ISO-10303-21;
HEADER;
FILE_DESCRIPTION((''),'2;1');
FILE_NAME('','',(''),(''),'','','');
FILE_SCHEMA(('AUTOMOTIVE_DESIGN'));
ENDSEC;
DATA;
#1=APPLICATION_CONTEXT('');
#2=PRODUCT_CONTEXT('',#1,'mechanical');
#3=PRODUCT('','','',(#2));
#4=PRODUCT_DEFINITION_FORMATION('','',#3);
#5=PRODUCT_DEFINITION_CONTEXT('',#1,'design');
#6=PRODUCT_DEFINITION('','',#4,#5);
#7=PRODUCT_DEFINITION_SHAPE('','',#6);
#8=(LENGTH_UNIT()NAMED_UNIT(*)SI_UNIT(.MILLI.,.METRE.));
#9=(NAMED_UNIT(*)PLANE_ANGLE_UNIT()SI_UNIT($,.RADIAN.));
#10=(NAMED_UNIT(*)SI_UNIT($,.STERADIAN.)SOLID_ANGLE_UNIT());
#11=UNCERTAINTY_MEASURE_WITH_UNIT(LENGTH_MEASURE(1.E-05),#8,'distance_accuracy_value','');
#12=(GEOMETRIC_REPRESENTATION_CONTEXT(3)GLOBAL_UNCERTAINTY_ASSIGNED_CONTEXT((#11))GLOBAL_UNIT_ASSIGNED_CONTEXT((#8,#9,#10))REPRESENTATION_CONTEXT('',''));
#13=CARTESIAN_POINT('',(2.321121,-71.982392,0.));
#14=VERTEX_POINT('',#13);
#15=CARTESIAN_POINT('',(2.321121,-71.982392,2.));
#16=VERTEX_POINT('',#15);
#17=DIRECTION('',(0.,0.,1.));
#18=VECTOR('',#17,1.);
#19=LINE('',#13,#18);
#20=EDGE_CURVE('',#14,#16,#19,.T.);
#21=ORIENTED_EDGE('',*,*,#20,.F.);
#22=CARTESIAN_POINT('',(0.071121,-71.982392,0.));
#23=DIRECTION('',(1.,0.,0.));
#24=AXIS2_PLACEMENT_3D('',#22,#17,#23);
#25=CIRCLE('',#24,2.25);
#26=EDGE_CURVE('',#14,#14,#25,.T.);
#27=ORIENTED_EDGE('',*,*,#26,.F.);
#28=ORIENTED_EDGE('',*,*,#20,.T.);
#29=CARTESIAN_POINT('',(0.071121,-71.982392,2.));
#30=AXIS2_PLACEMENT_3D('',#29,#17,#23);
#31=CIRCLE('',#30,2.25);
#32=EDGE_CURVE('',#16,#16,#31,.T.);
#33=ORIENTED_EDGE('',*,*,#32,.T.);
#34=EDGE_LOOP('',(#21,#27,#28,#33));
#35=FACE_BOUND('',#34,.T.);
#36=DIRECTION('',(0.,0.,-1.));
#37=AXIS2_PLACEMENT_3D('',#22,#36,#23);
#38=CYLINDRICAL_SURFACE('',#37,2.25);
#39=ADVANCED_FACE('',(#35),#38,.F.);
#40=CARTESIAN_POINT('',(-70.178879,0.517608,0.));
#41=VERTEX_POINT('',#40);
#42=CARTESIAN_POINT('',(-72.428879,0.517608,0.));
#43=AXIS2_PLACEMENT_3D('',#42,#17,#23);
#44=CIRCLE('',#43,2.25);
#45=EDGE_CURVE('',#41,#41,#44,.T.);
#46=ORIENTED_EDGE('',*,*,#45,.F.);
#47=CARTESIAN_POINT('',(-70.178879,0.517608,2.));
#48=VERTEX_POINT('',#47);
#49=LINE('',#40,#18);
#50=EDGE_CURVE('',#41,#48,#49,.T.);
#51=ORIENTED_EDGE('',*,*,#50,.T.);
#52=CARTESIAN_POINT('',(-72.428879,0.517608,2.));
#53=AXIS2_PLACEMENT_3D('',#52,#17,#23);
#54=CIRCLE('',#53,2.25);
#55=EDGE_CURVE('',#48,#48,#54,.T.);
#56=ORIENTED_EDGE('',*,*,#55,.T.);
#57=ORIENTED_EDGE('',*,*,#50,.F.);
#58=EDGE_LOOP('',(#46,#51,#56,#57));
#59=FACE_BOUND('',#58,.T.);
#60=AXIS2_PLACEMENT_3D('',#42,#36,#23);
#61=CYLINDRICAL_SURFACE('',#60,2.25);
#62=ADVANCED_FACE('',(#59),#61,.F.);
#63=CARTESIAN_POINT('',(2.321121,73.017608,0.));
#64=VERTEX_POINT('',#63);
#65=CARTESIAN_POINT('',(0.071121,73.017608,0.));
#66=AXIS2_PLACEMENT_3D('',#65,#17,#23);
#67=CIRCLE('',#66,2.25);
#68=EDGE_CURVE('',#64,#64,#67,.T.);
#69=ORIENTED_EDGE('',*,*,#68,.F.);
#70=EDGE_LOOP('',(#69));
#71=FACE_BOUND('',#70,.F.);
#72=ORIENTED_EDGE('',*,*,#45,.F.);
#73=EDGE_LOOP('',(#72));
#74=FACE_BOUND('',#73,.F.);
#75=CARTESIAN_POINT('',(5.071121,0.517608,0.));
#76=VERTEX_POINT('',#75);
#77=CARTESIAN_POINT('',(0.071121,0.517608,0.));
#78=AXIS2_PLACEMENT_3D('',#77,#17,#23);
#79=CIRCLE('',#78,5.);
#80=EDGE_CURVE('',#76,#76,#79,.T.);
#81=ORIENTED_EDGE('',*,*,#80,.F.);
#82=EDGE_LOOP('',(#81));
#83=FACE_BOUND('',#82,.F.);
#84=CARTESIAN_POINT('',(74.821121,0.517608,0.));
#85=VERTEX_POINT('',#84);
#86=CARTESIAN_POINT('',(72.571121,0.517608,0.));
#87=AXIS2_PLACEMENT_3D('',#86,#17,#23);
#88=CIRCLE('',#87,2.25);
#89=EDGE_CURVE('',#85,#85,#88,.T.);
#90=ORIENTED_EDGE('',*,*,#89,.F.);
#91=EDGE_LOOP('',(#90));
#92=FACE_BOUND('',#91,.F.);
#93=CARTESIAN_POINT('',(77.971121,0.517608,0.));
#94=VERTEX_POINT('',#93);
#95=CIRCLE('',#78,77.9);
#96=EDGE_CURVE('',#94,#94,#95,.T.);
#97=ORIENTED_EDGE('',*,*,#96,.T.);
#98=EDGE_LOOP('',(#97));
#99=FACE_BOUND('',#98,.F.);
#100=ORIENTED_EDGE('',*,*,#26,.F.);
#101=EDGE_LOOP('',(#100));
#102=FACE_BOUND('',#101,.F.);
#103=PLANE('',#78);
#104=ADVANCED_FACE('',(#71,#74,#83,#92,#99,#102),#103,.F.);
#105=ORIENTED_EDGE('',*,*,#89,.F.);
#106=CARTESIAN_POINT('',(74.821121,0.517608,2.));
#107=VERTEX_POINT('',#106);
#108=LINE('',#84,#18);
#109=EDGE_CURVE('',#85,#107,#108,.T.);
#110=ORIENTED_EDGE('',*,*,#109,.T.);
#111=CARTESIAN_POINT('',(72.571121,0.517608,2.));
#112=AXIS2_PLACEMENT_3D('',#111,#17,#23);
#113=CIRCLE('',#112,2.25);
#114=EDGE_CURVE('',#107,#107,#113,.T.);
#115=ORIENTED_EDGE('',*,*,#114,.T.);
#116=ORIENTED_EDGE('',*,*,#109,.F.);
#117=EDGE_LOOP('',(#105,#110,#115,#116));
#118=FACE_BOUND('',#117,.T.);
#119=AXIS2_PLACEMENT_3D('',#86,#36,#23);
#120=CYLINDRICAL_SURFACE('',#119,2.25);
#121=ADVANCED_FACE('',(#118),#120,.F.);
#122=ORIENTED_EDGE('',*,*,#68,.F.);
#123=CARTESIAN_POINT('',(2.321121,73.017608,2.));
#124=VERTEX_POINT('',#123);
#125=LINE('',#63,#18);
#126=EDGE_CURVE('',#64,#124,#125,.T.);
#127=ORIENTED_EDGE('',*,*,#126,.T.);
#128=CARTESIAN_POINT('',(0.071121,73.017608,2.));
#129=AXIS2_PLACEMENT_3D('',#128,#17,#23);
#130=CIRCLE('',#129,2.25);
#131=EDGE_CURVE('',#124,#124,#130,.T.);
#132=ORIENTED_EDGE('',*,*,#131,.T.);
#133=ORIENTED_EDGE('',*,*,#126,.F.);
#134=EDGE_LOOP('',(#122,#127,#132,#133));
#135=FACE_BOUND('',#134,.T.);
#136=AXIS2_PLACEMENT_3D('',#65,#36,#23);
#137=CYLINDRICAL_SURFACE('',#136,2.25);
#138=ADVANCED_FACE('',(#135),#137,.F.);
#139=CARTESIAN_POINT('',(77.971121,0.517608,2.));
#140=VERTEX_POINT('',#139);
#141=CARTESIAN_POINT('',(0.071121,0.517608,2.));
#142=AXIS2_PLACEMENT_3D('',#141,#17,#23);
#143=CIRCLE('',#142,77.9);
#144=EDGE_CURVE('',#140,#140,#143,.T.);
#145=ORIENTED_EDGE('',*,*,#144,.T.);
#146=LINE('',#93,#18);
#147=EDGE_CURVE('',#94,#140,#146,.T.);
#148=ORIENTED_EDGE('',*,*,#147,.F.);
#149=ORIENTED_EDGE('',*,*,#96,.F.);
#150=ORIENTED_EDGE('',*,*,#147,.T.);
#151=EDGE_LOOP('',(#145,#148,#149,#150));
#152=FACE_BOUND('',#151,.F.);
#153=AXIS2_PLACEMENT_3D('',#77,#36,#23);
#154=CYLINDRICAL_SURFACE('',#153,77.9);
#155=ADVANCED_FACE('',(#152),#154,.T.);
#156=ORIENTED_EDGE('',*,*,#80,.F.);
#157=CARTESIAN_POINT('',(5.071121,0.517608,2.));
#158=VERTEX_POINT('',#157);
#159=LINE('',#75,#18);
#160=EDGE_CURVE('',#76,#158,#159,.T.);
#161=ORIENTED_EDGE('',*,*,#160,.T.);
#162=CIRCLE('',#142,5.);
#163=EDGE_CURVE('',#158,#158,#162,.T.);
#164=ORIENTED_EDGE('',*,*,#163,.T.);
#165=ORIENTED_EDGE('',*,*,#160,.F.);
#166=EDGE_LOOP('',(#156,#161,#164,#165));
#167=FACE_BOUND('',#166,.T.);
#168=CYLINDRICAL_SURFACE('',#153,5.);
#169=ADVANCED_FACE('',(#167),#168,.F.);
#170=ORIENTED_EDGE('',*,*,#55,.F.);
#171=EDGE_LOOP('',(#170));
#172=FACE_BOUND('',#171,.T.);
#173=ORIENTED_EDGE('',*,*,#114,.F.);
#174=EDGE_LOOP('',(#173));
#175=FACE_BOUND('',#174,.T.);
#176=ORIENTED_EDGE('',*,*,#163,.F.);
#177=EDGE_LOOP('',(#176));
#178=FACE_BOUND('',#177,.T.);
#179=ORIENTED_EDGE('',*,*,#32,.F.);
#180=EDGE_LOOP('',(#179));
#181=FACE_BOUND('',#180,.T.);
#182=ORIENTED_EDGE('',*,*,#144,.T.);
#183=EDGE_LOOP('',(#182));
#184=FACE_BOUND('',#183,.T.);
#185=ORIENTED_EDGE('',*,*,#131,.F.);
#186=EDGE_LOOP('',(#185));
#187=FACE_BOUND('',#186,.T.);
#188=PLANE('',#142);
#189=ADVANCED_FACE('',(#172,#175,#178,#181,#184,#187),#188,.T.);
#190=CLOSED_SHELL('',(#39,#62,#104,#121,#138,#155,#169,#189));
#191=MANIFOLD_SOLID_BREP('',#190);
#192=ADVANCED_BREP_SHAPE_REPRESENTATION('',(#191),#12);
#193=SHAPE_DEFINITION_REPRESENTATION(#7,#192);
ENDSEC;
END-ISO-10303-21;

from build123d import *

# Parameters (mm, degrees)
ESQUISSE1_R        = 77.9
ESQUISSE1_R_2      = 2.25
ESQUISSE1_R_3      = 5
BOSS_EXTRU_1_DEPTH = 2


with BuildPart() as part:
    # Esquisse1 → Boss.-Extru.1 (new body)
    with BuildSketch(Plane.XY):
        with Locations((0.071120791, 0.517607885)):
            Circle(ESQUISSE1_R)
        with Locations((0.071120791, 73.017607885)):
            Circle(ESQUISSE1_R_2, mode=Mode.SUBTRACT)
        with Locations((72.571120791, 0.517607885)):
            Circle(ESQUISSE1_R_2, mode=Mode.SUBTRACT)
        with Locations((0.071120791, -71.982392115)):
            Circle(ESQUISSE1_R_2, mode=Mode.SUBTRACT)
        with Locations((-72.428879209, 0.517607885)):
            Circle(ESQUISSE1_R_2, mode=Mode.SUBTRACT)
        with Locations((0.071120791, 0.517607885)):
            Circle(ESQUISSE1_R_3, mode=Mode.SUBTRACT)
    extrude(amount=BOSS_EXTRU_1_DEPTH)


solid = part.part
